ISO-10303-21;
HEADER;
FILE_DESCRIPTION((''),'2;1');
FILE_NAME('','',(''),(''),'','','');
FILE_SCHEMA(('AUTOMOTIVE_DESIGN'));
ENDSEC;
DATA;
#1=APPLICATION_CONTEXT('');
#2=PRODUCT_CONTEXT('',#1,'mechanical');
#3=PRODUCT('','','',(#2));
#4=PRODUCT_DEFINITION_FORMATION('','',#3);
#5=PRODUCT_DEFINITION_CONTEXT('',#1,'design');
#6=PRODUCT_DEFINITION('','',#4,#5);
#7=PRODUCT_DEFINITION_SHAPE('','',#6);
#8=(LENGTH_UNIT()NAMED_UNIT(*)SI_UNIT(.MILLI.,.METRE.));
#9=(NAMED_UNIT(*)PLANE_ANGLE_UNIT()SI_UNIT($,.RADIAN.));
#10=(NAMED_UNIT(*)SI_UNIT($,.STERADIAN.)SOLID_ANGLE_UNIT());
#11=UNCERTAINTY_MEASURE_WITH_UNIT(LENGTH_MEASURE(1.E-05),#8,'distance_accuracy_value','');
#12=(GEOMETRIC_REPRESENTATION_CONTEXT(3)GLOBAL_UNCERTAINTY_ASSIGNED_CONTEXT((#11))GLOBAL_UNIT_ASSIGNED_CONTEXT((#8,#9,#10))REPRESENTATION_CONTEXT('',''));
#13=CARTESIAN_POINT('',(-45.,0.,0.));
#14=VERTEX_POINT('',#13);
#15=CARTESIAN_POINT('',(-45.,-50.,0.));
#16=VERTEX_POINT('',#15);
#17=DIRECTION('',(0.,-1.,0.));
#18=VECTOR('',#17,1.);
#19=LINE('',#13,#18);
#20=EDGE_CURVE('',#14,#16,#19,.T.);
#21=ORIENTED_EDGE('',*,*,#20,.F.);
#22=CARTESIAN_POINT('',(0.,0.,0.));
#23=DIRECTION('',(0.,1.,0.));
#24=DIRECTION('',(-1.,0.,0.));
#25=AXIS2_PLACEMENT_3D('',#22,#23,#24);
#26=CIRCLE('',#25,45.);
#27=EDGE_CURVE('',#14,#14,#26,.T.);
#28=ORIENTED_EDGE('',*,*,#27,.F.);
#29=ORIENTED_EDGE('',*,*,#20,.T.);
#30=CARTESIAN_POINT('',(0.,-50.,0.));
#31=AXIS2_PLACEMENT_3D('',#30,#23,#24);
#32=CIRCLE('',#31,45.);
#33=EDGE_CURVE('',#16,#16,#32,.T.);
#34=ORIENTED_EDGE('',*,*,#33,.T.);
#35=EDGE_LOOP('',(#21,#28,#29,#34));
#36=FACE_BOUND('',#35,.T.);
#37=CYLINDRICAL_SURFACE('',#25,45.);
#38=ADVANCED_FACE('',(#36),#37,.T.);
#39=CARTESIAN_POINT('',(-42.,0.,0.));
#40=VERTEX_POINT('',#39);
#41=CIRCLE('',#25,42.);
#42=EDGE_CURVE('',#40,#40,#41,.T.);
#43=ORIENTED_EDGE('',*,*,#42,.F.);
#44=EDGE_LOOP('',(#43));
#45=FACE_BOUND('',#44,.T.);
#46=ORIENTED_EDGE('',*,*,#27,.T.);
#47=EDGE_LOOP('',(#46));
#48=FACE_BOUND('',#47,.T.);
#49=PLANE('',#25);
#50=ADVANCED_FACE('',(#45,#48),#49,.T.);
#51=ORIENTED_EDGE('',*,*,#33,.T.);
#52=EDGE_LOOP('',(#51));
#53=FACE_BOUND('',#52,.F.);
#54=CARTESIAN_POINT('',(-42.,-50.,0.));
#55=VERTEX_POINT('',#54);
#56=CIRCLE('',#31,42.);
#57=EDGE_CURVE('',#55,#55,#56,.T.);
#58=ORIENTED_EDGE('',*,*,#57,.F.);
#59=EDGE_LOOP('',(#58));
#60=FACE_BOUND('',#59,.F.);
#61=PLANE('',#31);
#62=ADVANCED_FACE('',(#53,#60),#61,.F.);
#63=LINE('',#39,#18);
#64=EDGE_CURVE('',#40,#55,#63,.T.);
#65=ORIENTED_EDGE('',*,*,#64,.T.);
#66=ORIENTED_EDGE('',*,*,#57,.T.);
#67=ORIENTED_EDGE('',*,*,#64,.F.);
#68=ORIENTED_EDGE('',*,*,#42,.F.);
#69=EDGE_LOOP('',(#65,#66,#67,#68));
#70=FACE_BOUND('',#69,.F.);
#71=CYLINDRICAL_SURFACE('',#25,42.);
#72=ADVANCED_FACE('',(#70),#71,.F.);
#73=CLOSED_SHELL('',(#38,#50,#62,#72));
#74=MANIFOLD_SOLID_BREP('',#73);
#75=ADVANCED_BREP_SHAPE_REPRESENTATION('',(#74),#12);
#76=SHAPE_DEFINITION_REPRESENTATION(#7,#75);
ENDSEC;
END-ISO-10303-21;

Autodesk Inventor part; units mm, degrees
ref_plane "YZ Plane" through (0, 0, 0) normal (1, 0, 0) x (0, 1, 0)
ref_plane "XZ Plane" through (0, 0, 0) normal (0, 1, 0) x (-1, 0, 0)
ref_plane "XY Plane" through (0, 0, 0) normal (0, 0, 1) x (1, 0, 0)
sketch "Sketch1" plane through (0, 0, 0) normal (0, 1, 0) x (-1, 0, 0)
  circle A0 centre (0, 0) radius 45
  circle A1 centre (0, 0) radius 42
  dimension "d0" = 90
  dimension "d1" = 3
extrude "Extrusion1" add sketch "Sketch1" against normal blind 50
properties part number "SLM 1611 hatch tube 500mm_1200" material "Steel"
